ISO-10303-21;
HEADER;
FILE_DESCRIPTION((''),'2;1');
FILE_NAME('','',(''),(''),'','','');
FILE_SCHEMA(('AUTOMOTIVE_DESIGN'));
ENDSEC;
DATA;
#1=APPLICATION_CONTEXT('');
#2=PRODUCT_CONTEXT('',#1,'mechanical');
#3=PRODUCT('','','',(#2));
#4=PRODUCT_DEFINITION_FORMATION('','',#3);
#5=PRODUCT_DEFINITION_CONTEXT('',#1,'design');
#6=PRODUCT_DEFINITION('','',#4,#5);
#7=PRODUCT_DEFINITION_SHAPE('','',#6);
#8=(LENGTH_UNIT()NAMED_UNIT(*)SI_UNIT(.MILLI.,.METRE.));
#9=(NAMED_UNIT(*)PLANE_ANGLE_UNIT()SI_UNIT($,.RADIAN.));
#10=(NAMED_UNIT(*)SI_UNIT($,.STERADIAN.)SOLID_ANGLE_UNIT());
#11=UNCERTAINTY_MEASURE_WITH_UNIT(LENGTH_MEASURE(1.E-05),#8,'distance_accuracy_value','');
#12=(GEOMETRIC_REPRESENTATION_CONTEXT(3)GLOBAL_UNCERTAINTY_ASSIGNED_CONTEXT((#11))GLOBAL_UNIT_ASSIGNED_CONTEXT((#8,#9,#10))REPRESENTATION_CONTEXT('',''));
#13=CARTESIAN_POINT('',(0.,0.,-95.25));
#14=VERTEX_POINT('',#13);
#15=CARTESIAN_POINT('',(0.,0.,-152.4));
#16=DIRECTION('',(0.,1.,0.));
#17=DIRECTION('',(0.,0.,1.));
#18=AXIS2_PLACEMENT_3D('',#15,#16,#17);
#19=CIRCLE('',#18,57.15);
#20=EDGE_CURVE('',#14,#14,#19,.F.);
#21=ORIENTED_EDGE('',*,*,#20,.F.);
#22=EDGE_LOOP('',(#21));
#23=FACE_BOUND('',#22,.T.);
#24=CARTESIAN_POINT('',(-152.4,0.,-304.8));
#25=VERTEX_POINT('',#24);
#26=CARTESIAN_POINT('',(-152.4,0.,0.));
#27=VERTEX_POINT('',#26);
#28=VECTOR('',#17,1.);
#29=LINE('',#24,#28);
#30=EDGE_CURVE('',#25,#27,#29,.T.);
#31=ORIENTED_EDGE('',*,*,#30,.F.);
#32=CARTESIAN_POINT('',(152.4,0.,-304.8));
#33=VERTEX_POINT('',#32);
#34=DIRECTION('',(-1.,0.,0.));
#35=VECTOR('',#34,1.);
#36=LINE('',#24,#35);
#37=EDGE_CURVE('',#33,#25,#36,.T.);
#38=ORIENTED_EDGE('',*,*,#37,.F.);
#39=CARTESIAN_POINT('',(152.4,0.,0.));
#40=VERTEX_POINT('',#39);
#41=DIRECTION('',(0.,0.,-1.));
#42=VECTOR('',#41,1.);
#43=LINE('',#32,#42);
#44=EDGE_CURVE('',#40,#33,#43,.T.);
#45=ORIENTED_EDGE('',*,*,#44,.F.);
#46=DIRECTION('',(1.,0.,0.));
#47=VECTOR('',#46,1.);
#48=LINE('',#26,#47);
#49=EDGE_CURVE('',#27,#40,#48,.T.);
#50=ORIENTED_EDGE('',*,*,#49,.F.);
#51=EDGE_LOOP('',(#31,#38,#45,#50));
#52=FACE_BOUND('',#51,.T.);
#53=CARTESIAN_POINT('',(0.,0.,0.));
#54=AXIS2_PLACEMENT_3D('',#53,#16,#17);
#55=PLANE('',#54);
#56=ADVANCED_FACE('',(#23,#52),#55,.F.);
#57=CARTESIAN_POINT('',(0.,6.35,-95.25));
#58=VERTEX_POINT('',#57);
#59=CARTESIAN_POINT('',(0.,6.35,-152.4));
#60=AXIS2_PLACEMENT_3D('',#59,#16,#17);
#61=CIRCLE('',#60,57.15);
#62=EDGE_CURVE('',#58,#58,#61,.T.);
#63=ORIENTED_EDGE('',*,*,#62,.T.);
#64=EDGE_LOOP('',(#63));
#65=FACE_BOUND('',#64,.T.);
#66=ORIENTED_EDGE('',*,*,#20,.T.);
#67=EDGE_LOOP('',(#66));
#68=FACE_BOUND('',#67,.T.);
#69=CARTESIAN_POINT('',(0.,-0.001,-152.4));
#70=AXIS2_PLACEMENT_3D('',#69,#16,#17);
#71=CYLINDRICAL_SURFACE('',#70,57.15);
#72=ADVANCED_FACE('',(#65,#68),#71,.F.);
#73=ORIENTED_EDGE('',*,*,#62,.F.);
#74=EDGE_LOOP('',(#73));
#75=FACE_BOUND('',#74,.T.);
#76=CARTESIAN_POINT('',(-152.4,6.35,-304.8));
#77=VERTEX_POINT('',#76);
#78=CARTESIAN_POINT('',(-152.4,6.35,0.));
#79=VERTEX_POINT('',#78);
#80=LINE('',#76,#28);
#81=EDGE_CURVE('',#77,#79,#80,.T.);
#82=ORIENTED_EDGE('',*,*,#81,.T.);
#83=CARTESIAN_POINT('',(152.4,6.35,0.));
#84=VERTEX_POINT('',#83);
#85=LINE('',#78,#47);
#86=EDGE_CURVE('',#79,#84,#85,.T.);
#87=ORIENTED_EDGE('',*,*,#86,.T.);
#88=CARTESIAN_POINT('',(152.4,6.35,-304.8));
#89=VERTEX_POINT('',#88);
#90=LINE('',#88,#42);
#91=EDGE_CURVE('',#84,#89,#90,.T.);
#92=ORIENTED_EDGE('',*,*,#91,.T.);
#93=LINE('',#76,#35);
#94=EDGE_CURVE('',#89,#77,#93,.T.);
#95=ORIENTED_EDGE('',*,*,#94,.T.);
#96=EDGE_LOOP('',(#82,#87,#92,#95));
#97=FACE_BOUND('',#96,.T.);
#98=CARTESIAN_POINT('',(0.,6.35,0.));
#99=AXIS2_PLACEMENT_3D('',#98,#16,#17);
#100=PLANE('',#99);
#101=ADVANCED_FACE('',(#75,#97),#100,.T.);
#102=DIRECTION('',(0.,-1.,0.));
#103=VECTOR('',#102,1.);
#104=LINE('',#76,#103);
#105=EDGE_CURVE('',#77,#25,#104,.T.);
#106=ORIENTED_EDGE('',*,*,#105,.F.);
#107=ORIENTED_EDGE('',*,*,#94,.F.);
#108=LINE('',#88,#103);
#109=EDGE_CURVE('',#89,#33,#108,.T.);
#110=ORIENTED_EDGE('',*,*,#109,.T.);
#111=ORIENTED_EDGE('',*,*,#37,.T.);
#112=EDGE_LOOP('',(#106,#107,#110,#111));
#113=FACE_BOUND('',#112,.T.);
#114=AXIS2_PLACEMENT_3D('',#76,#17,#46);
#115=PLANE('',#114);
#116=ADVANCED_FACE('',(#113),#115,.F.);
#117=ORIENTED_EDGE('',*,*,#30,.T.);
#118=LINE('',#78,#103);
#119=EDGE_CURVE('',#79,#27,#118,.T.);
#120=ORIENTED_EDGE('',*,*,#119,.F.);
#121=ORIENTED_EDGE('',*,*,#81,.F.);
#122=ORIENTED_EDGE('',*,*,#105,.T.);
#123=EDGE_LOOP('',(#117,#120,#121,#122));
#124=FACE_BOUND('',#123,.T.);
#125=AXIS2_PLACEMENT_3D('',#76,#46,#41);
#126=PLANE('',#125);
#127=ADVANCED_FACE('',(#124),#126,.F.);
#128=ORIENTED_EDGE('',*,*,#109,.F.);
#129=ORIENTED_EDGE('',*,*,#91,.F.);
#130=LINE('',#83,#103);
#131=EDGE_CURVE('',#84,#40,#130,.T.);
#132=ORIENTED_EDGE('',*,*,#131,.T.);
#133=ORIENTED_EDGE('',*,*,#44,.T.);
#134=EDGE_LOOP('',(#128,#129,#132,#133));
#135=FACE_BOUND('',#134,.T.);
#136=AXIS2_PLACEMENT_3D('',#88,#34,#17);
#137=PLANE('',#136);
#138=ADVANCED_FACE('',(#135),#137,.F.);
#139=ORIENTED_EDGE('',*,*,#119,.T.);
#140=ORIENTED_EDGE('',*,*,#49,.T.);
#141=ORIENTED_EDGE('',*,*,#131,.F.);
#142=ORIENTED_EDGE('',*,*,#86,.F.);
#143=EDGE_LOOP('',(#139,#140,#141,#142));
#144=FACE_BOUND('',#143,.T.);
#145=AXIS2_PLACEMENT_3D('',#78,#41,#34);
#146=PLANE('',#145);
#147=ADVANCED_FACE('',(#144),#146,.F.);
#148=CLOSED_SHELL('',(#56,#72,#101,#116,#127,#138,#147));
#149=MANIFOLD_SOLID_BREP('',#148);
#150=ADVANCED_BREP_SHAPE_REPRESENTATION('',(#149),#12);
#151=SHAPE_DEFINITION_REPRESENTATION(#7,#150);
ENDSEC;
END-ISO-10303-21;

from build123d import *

# Parameters (mm, degrees)
SKETCH1_W           = 304.8
SKETCH1_H           = 304.8
BOSS_EXTRUDE1_DEPTH = 6.35
CUT_EXTRUDE1_REACH  = 8.35
SKETCH2_R           = 57.15


with BuildPart() as part:
    # Sketch1 → Boss-Extrude1 (new body)
    with BuildSketch(Plane(origin=(0, 0, 0), x_dir=(1, 0, 0), z_dir=(0, 1, 0))):
        with Locations((0, 152.4)):
            Rectangle(SKETCH1_W, SKETCH1_H)
    extrude(amount=BOSS_EXTRUDE1_DEPTH)

    # Sketch2 → Cut-Extrude1 (cut, up to next)
    with BuildSketch(Plane(origin=(0, 6.35, 0), x_dir=(1, 0, 0), z_dir=(0, 1, 0)), mode=Mode.PRIVATE) as cut_extrude1_sk1:
        with Locations((0, 152.4)):
            Circle(SKETCH2_R)
    cut_extrude1_tool1 = extrude(cut_extrude1_sk1.sketch, amount=-CUT_EXTRUDE1_REACH, mode=Mode.PRIVATE) & part.part
    add(cut_extrude1_tool1.solids().sort_by_distance((0, 6.35, -152.4))[0], mode=Mode.SUBTRACT)


solid = part.part
